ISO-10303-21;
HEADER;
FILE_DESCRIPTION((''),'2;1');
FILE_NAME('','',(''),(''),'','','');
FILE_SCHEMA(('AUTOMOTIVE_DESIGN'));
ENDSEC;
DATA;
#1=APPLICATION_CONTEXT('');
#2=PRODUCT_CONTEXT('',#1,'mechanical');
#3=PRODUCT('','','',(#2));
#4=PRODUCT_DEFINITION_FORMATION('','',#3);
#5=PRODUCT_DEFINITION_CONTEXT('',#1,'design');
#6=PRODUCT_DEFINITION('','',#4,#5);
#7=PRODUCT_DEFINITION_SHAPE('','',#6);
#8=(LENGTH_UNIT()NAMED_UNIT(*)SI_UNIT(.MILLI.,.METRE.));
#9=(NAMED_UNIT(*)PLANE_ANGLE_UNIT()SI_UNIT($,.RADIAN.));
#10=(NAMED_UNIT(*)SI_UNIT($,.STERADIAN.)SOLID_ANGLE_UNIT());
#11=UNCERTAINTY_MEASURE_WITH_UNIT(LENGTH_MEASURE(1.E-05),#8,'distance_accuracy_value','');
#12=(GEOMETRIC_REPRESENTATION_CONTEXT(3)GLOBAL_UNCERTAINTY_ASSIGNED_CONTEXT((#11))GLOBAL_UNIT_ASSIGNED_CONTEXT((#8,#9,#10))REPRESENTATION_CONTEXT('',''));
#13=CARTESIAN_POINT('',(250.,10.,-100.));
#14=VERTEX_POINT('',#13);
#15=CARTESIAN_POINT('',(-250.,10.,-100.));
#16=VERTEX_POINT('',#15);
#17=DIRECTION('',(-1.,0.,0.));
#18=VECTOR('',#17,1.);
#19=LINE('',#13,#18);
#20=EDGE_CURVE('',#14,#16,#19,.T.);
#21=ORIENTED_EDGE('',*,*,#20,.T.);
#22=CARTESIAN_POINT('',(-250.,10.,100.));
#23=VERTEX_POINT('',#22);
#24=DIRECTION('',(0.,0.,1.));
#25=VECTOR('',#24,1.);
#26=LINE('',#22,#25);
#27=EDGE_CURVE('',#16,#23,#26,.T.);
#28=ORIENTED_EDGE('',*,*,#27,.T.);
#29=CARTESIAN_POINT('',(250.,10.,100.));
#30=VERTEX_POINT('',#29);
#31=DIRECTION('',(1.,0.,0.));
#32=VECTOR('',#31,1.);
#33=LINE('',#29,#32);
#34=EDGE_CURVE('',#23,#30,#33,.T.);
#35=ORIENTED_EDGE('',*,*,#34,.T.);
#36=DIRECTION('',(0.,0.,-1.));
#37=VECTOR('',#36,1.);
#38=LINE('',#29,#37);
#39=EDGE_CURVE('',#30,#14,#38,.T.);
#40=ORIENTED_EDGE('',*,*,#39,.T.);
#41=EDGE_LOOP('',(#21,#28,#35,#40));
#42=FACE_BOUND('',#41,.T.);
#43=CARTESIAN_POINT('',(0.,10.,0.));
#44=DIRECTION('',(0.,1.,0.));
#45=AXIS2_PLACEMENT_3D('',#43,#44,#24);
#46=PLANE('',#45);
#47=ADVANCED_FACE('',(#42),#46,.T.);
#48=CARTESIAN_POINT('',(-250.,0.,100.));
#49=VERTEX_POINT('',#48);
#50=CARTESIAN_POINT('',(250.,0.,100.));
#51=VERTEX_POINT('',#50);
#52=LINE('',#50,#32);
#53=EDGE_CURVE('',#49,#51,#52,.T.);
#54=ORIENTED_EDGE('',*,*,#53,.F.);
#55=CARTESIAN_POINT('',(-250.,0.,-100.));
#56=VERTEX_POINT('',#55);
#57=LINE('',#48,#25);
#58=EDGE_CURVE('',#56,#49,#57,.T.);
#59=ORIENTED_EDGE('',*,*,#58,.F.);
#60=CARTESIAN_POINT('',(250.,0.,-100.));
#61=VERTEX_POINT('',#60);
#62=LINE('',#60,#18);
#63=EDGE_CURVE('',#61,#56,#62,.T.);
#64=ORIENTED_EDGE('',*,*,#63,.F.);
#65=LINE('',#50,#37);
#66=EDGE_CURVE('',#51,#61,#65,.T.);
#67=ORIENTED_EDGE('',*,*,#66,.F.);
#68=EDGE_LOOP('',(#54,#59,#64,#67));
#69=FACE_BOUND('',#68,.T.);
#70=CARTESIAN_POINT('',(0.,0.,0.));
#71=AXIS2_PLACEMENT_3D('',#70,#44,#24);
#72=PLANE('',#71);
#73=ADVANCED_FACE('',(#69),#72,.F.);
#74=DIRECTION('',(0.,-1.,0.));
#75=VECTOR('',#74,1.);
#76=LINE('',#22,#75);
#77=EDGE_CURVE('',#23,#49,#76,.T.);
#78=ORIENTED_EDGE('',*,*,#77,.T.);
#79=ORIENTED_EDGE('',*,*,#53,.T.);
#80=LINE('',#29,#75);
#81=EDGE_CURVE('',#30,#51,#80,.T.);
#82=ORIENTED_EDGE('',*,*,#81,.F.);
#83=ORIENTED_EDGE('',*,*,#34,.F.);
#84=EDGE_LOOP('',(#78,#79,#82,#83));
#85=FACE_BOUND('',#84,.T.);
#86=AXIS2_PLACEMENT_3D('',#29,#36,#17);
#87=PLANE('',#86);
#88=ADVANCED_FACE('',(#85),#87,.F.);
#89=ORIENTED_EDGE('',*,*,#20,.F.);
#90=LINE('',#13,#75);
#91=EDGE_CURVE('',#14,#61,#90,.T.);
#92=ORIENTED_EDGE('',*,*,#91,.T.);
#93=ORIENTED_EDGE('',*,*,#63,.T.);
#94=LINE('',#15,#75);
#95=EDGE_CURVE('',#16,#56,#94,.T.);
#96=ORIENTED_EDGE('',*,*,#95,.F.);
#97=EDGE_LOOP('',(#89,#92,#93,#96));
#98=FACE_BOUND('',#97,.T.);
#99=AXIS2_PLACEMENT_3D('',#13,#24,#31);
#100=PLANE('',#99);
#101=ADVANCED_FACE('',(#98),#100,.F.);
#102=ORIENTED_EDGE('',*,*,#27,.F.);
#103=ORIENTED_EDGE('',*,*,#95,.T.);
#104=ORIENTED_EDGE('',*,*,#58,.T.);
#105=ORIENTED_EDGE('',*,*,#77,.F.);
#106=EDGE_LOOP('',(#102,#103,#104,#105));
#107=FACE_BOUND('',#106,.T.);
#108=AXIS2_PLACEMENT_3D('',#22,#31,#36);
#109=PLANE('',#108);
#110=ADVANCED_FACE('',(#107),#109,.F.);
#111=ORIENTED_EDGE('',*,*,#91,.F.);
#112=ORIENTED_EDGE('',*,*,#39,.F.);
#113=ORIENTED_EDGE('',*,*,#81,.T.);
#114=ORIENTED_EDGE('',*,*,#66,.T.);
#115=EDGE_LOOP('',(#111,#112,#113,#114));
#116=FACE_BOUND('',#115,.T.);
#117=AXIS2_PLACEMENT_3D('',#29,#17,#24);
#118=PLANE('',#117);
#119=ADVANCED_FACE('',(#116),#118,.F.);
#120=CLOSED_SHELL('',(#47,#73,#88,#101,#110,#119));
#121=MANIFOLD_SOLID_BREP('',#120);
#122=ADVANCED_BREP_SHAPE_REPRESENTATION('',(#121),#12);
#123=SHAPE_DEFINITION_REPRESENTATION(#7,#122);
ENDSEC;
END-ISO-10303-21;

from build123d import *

# Parameters (mm, degrees)
SKETCH1_W           = 500
SKETCH1_H           = 200
BOSS_EXTRUDE1_DEPTH = 10


with BuildPart() as part:
    # Sketch1 → Boss-Extrude1 (new body)
    with BuildSketch(Plane(origin=(0, 0, 0), x_dir=(1, 0, 0), z_dir=(0, 1, 0))):
        Rectangle(SKETCH1_W, SKETCH1_H)
    extrude(amount=BOSS_EXTRUDE1_DEPTH)


solid = part.part
